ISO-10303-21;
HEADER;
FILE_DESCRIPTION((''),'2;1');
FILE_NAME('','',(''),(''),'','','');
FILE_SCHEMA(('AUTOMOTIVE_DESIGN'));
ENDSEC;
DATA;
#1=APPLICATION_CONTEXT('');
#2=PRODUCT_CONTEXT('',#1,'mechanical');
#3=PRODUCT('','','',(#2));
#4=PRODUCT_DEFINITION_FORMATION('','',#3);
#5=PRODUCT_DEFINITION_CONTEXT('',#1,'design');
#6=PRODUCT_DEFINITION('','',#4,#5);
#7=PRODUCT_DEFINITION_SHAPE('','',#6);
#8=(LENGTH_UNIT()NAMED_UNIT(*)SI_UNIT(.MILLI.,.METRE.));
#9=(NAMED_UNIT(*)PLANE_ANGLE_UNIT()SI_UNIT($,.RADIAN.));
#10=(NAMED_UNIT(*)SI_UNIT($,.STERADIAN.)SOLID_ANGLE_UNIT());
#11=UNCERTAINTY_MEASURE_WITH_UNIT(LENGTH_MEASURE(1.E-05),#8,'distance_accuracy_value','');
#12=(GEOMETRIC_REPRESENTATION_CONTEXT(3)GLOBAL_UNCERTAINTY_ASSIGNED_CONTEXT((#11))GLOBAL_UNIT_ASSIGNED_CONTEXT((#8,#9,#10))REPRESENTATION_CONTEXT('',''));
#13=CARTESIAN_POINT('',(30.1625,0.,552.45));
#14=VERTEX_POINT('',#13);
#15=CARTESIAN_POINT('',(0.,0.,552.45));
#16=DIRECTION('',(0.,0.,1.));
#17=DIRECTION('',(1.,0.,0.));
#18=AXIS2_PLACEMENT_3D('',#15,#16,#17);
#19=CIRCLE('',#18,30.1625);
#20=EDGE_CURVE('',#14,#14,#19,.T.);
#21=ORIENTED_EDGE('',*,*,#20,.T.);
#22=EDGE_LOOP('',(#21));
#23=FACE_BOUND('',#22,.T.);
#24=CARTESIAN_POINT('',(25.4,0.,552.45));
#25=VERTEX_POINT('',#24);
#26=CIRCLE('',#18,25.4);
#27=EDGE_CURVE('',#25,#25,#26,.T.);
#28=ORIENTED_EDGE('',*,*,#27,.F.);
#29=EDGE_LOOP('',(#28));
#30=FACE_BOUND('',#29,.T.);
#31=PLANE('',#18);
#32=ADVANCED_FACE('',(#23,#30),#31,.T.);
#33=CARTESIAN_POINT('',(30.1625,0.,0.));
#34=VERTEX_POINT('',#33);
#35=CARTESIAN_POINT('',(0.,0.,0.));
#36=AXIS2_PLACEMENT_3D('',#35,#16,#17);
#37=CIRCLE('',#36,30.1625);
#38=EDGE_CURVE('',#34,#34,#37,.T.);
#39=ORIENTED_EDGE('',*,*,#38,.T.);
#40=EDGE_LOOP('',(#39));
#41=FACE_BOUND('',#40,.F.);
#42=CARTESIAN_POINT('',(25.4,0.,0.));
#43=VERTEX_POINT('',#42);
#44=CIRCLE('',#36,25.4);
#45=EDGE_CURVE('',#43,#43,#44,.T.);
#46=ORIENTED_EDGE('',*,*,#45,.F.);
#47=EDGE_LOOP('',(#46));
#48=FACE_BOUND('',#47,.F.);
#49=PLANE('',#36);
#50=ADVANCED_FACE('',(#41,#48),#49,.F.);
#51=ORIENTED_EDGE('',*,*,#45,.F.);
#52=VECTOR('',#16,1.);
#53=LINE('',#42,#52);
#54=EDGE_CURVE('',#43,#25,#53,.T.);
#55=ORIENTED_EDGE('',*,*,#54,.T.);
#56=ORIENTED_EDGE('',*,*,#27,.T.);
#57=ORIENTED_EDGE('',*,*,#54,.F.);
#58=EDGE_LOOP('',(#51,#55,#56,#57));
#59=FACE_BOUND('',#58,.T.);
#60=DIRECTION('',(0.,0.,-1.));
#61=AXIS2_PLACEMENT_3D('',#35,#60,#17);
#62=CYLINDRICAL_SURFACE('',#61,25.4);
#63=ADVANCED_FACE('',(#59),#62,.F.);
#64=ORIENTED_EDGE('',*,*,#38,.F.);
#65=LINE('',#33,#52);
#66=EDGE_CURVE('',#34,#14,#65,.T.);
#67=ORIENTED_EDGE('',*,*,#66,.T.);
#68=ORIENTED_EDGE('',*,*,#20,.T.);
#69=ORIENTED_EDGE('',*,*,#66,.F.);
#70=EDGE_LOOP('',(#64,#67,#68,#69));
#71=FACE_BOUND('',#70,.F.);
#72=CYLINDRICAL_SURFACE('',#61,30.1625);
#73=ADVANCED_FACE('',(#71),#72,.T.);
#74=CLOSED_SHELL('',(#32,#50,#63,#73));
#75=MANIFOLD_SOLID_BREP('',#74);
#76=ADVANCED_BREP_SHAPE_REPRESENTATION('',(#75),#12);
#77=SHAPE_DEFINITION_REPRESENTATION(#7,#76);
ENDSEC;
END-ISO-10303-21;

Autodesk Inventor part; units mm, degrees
ref_plane "YZ Plane" through (0, 0, 0) normal (1, 0, 0) x (0, 1, 0)
ref_plane "XZ Plane" through (0, 0, 0) normal (0, 1, 0) x (-1, 0, 0)
ref_plane "XY Plane" through (0, 0, 0) normal (0, 0, 1) x (1, 0, 0)
sketch "Sketch1" plane through (0, 0, 0) normal (0, 0, 1) x (1, 0, 0)
  circle A0 centre (0, 0) radius 25.4
  circle A1 centre (0, 0) radius 30.1625
  dimension "d0" = 60.325
  dimension "d2" = 50.8
extrude "Extrusion1" add sketch "Sketch1" along normal blind 552.45
properties part number "LONG PIPE"
